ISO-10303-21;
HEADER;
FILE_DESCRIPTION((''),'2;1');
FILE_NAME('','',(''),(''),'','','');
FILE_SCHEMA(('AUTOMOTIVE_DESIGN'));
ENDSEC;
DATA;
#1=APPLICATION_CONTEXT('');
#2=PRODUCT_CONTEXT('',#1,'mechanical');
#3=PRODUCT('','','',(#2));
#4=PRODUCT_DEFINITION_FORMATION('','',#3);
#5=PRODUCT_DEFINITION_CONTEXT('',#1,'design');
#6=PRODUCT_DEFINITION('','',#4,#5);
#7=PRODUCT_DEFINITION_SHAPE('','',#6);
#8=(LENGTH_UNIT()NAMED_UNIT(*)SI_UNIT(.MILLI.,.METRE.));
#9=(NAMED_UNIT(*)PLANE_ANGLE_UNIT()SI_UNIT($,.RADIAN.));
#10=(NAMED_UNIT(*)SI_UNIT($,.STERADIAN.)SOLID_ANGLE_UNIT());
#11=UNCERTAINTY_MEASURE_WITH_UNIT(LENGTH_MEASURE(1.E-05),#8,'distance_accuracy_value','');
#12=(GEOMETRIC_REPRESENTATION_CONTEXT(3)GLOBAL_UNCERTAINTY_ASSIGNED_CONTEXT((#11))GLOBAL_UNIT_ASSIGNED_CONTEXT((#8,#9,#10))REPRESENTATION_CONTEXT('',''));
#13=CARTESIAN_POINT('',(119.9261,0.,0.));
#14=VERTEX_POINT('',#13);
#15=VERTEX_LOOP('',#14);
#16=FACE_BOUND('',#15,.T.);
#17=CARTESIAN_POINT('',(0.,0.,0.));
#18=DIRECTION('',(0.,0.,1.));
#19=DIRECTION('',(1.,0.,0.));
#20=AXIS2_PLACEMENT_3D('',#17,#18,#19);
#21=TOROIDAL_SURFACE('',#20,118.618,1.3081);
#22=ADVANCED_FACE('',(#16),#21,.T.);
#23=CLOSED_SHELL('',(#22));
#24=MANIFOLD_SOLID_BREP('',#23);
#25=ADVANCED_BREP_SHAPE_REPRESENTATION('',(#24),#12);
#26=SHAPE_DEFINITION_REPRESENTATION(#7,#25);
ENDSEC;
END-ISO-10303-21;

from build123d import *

# Parameters (mm, degrees)
SKETCH1_R = 1.3081


with BuildPart() as part:
    # Sketch1 → Revolve1 (revolve)
    with BuildSketch(Plane(origin=(0, 0, 0), x_dir=(0, -1, 0), z_dir=(1, 0, 0)), mode=Mode.PRIVATE) as revolve1_sk:
        with Locations((118.618, 0)):
            Circle(SKETCH1_R)
    revolve(revolve1_sk.sketch.rotate(Axis((0, 0, 1.3081), (0, 0, -1)), 270), axis=Axis((0, 0, 1.3081), (0, 0, -1)))


solid = part.part
